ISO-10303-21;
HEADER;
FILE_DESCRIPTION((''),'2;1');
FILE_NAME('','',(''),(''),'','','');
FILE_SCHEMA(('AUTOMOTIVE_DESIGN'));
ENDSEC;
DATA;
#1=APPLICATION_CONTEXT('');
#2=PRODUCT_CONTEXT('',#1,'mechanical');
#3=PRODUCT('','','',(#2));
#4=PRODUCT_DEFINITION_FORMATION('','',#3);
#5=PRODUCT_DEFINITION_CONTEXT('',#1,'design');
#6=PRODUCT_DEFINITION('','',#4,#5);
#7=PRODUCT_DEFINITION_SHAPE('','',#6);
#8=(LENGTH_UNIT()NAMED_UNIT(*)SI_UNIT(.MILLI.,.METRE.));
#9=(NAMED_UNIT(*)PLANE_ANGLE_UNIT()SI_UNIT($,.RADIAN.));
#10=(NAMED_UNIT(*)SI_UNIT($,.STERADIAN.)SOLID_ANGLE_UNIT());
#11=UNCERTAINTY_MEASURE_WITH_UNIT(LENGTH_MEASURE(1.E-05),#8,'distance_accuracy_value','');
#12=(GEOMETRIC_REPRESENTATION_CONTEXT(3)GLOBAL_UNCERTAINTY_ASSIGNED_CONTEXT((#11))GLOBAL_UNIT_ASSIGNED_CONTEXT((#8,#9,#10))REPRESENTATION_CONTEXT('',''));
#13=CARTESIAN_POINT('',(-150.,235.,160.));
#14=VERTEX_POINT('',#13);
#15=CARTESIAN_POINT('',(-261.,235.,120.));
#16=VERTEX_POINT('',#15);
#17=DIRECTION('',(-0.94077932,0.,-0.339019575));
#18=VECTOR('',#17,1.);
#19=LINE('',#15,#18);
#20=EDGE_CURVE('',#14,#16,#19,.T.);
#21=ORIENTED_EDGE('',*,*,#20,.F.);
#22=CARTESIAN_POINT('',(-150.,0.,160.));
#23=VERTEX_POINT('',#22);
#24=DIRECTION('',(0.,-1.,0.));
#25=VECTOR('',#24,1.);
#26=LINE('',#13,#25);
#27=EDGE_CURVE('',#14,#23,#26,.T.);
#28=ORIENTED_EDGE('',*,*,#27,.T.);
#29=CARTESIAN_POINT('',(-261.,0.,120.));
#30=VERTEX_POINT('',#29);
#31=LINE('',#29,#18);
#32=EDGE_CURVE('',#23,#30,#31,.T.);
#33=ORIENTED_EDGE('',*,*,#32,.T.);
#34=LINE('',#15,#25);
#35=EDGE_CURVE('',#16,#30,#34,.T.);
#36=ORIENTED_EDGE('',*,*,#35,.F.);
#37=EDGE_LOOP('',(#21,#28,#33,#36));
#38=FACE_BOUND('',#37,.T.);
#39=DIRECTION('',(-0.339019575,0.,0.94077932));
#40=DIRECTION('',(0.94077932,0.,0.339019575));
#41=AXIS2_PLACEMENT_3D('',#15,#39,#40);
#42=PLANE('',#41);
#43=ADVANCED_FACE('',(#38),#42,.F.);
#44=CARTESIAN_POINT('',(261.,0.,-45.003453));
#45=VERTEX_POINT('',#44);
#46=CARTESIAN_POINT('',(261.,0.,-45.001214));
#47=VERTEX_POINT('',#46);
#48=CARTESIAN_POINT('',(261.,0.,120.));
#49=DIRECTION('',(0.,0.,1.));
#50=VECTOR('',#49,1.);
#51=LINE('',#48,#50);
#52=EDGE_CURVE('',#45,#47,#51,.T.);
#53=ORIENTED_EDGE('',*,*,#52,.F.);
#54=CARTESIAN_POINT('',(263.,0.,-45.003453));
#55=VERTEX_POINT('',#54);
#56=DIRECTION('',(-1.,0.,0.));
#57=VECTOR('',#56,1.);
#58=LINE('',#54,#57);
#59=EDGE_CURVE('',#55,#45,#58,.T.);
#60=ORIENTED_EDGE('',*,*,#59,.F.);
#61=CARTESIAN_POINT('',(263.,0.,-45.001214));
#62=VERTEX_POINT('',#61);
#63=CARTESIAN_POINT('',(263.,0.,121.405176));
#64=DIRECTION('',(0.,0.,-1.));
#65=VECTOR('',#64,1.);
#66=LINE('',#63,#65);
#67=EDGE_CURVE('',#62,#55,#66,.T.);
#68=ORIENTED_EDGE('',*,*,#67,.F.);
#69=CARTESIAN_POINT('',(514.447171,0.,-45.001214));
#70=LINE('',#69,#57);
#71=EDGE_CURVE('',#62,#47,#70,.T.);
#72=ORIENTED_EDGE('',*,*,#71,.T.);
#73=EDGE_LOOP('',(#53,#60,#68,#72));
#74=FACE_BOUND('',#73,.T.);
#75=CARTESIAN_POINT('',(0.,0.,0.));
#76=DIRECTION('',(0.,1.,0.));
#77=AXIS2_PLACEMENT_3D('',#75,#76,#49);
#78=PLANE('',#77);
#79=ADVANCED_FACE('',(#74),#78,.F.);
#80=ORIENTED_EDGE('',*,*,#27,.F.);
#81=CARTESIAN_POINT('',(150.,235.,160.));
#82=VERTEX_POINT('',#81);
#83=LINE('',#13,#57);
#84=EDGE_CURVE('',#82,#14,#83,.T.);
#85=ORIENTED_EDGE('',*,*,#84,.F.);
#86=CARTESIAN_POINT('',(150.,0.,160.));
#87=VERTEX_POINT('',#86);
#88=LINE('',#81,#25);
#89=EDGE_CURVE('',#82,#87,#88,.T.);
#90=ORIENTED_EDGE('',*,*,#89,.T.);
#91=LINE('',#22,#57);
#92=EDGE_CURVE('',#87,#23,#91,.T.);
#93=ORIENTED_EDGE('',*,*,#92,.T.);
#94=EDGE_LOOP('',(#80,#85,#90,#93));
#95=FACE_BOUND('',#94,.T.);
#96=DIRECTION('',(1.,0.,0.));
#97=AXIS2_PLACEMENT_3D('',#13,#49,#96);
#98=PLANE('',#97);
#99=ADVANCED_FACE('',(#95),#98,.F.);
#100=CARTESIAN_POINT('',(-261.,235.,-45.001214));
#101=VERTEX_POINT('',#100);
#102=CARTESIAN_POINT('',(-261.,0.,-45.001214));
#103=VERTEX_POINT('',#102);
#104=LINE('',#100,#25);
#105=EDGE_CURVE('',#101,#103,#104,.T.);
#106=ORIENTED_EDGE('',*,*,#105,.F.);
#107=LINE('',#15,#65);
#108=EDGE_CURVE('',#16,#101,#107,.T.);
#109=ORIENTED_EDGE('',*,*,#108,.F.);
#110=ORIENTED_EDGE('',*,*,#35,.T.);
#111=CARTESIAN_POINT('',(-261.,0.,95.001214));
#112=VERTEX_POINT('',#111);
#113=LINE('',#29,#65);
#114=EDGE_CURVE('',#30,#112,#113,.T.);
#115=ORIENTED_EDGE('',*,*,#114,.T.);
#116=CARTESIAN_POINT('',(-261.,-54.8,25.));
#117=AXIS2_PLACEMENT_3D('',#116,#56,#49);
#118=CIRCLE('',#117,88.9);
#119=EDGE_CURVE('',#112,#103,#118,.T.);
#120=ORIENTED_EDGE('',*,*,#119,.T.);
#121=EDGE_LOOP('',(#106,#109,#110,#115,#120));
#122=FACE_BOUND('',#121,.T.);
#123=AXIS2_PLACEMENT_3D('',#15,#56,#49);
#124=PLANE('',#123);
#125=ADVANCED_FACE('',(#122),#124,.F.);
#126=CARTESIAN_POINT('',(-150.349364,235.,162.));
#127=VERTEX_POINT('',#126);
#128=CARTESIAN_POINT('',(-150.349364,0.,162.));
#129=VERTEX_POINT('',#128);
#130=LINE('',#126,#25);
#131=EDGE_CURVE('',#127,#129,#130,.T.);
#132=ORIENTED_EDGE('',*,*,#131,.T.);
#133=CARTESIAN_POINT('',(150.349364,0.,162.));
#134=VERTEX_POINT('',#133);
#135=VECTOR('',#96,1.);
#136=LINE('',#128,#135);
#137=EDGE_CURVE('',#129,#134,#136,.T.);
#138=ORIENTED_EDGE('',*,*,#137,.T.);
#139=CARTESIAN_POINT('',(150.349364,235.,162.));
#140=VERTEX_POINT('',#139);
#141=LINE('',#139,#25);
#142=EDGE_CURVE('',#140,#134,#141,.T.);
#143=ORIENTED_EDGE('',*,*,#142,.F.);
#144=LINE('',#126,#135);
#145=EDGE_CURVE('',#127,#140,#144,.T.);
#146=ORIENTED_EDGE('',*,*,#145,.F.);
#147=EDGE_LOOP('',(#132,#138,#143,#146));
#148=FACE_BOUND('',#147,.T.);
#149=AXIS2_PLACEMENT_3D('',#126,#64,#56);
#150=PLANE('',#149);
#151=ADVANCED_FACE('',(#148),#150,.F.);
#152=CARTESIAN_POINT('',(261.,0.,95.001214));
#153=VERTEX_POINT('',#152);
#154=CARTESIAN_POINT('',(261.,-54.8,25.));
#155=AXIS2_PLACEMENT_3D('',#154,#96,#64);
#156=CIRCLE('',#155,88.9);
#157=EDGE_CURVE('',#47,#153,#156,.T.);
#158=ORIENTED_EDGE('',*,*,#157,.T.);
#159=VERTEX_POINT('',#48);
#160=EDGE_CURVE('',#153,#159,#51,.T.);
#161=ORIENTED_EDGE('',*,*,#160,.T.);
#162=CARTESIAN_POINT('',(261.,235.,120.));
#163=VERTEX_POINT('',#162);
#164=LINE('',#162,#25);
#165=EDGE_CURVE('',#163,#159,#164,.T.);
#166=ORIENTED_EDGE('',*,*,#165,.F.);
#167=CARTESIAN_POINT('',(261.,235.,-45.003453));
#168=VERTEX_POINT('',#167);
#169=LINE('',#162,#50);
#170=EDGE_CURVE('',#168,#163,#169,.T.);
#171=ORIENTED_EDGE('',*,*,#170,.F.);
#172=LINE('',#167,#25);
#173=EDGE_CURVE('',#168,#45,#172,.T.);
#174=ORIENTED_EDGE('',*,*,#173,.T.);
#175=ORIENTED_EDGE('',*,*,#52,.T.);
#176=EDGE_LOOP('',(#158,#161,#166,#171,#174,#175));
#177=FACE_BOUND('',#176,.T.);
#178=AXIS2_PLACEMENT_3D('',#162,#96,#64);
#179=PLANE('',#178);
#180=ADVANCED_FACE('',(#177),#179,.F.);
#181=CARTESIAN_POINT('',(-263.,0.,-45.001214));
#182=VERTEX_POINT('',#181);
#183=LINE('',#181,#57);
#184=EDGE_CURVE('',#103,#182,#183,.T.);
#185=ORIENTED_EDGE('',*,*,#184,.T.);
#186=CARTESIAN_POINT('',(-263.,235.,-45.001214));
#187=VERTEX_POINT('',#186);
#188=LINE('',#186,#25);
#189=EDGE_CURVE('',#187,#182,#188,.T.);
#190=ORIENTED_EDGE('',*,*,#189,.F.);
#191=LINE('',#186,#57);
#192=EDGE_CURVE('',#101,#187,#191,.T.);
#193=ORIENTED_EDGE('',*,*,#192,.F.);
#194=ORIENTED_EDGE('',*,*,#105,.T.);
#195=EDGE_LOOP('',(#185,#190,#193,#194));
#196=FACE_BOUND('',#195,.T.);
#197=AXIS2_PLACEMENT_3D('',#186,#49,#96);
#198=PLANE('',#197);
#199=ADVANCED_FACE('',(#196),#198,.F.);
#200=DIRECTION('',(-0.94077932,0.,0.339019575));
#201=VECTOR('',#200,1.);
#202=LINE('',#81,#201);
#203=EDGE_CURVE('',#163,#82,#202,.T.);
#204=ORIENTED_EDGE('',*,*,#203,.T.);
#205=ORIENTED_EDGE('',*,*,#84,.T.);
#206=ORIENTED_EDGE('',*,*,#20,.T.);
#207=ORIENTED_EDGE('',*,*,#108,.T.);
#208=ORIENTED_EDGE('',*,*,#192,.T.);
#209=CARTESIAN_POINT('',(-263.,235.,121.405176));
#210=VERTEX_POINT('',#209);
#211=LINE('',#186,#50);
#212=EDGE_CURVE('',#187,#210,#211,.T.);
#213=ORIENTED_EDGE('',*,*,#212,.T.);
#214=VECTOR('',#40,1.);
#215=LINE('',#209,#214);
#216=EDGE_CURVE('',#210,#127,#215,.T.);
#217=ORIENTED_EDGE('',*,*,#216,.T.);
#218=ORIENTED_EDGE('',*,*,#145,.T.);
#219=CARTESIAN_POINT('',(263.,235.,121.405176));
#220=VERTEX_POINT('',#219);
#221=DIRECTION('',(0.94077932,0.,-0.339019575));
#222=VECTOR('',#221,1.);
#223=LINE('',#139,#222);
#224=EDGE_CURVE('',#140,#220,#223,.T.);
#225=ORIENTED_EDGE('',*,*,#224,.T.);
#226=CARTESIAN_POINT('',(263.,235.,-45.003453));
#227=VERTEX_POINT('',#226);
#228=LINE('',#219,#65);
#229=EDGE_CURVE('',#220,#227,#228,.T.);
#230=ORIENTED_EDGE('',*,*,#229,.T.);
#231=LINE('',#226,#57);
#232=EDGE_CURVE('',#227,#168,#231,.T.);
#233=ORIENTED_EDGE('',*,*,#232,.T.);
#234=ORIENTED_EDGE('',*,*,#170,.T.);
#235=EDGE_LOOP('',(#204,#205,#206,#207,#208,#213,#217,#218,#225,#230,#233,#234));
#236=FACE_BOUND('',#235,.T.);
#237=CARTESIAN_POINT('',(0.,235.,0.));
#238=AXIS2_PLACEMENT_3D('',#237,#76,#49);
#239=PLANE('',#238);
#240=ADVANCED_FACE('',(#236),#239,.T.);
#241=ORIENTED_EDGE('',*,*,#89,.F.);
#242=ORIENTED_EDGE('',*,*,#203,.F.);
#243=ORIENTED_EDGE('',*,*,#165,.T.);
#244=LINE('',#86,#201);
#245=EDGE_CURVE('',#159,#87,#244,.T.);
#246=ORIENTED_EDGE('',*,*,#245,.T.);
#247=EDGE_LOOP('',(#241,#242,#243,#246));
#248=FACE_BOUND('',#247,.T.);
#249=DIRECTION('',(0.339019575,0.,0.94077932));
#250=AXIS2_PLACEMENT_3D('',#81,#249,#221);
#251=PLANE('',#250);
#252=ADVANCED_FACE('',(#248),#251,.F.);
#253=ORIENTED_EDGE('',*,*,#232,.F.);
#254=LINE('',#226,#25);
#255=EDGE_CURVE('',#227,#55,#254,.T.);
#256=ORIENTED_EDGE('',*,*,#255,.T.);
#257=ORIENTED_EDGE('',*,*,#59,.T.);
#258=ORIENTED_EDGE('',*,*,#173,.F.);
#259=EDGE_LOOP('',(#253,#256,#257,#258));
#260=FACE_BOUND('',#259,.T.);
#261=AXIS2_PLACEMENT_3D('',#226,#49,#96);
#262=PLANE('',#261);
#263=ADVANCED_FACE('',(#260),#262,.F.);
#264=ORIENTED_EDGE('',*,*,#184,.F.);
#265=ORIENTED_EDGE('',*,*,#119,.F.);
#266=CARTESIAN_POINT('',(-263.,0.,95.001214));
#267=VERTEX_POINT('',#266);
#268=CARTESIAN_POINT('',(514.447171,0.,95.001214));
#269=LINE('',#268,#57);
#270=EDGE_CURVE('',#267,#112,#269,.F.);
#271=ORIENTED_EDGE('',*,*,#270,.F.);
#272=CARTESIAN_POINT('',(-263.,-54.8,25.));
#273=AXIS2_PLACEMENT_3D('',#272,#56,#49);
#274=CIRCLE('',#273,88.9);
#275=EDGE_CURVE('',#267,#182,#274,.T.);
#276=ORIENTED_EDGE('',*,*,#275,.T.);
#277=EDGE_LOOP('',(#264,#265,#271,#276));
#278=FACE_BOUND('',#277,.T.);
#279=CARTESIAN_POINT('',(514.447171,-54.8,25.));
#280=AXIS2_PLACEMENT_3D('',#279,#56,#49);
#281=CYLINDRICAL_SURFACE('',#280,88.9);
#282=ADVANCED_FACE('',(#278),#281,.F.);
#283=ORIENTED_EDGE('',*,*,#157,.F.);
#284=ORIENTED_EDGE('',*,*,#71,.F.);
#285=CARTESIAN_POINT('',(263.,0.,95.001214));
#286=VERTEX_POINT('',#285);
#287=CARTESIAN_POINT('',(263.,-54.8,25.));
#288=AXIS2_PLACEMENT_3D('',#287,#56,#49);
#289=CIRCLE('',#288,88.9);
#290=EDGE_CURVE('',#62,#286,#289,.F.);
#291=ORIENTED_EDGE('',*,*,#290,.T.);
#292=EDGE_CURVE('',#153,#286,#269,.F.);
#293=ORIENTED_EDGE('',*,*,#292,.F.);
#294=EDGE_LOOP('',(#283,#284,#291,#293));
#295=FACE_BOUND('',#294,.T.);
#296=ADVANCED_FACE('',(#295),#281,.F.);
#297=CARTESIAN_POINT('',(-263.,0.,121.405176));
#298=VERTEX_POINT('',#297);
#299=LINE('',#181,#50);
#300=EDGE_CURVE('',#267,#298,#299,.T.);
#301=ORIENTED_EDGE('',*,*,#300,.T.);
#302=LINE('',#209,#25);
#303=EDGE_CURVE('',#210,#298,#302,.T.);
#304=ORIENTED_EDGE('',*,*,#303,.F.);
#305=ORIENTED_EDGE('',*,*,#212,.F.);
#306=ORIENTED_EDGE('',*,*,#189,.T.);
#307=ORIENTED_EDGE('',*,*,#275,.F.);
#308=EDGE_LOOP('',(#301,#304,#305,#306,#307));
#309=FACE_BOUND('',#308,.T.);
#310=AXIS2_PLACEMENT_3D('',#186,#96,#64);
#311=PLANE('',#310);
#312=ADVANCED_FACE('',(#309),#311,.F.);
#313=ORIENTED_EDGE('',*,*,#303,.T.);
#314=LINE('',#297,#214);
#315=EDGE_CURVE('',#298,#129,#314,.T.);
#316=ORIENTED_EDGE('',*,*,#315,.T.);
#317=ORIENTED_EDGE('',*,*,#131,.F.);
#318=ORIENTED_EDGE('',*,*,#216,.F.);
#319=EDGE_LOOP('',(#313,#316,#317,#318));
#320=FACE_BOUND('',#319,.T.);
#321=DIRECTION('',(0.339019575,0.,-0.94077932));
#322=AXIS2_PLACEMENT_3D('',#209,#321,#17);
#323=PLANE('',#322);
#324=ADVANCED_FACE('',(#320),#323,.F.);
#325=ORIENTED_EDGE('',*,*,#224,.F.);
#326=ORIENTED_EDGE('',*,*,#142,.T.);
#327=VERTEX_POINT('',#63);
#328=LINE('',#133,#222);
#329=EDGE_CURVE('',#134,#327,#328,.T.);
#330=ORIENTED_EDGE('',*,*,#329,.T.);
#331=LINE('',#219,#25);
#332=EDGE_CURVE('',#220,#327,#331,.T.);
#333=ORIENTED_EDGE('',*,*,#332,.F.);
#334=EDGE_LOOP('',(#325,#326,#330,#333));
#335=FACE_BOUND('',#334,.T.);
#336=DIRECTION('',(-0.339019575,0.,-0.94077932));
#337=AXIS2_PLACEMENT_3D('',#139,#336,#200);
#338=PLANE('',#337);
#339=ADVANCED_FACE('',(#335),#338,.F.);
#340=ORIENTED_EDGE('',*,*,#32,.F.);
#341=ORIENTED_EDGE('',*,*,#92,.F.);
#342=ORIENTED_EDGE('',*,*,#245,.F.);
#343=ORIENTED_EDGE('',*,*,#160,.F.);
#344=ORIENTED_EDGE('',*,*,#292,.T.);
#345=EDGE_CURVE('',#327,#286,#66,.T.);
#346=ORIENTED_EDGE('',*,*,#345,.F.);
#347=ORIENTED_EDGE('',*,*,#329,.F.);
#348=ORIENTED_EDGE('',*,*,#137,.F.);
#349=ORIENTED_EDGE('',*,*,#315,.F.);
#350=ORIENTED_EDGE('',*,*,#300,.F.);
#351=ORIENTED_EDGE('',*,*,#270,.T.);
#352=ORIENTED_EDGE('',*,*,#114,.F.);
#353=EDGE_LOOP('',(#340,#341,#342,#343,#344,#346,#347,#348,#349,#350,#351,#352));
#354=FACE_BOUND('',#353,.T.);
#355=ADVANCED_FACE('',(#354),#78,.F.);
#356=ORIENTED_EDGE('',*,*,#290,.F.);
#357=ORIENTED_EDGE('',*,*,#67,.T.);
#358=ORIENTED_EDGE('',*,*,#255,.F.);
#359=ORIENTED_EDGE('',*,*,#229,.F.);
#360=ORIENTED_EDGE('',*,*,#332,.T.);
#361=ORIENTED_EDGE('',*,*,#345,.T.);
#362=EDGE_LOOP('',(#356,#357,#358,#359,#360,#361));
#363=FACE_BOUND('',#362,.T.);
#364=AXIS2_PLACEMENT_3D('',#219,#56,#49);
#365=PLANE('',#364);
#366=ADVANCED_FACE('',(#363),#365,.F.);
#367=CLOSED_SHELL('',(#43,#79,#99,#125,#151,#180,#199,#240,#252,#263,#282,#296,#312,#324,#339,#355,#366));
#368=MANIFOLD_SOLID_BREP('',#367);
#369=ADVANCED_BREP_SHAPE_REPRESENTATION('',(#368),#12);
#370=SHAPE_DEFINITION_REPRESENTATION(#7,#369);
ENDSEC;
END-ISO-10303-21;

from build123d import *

# Parameters (mm, degrees)
BOSS_EXTRUDE2_DEPTH = 234.9999999
CUT_EXTRUDE1_REACH  = 600.452
SKETCH3_R           = 88.9


with BuildPart() as part:
    # Sketch2 → Boss-Extrude2 (new body)
    with BuildSketch(Plane(origin=(0, 0, 0), x_dir=(1, 0, 0), z_dir=(0, 1, 0))):
        Polygon((-263.000000064, 45.001214275), (-263.000000064, -121.405176327), (-150.349364373, -162), (150.349364373, -162), (263.000000064, -121.405176327), (263.000000064, 45.003453118), (261, 45.003453118), (261, -120), (150, -160), (-150, -160), (-261, -120), (-261, 45.001214275), align=None)
    extrude(amount=BOSS_EXTRUDE2_DEPTH)

    # Cut-Extrude1: up to this face of the body (flat: up to its plane)
    cut_extrude1_end = Plane(part.part.faces().sort_by_distance((263.000000064, 117.49999995, 38.200861605))[0])
    # Sketch3 → Cut-Extrude1 (cut, up to the picked face)
    with BuildSketch(Plane.ZY.offset(263.000000064), mode=Mode.PRIVATE) as cut_extrude1_sk1:
        with Locations((24.999999937, -54.80000008)):
            Circle(SKETCH3_R)
    cut_extrude1_tool1 = split(extrude(cut_extrude1_sk1.sketch, amount=-CUT_EXTRUDE1_REACH, mode=Mode.PRIVATE), bisect_by=cut_extrude1_end, keep=Keep.BOTH, mode=Mode.PRIVATE)
    add(cut_extrude1_tool1.solids().sort_by(Axis((-263, -54.8, 25), (1, 0, 0)))[0], mode=Mode.SUBTRACT)


solid = part.part
